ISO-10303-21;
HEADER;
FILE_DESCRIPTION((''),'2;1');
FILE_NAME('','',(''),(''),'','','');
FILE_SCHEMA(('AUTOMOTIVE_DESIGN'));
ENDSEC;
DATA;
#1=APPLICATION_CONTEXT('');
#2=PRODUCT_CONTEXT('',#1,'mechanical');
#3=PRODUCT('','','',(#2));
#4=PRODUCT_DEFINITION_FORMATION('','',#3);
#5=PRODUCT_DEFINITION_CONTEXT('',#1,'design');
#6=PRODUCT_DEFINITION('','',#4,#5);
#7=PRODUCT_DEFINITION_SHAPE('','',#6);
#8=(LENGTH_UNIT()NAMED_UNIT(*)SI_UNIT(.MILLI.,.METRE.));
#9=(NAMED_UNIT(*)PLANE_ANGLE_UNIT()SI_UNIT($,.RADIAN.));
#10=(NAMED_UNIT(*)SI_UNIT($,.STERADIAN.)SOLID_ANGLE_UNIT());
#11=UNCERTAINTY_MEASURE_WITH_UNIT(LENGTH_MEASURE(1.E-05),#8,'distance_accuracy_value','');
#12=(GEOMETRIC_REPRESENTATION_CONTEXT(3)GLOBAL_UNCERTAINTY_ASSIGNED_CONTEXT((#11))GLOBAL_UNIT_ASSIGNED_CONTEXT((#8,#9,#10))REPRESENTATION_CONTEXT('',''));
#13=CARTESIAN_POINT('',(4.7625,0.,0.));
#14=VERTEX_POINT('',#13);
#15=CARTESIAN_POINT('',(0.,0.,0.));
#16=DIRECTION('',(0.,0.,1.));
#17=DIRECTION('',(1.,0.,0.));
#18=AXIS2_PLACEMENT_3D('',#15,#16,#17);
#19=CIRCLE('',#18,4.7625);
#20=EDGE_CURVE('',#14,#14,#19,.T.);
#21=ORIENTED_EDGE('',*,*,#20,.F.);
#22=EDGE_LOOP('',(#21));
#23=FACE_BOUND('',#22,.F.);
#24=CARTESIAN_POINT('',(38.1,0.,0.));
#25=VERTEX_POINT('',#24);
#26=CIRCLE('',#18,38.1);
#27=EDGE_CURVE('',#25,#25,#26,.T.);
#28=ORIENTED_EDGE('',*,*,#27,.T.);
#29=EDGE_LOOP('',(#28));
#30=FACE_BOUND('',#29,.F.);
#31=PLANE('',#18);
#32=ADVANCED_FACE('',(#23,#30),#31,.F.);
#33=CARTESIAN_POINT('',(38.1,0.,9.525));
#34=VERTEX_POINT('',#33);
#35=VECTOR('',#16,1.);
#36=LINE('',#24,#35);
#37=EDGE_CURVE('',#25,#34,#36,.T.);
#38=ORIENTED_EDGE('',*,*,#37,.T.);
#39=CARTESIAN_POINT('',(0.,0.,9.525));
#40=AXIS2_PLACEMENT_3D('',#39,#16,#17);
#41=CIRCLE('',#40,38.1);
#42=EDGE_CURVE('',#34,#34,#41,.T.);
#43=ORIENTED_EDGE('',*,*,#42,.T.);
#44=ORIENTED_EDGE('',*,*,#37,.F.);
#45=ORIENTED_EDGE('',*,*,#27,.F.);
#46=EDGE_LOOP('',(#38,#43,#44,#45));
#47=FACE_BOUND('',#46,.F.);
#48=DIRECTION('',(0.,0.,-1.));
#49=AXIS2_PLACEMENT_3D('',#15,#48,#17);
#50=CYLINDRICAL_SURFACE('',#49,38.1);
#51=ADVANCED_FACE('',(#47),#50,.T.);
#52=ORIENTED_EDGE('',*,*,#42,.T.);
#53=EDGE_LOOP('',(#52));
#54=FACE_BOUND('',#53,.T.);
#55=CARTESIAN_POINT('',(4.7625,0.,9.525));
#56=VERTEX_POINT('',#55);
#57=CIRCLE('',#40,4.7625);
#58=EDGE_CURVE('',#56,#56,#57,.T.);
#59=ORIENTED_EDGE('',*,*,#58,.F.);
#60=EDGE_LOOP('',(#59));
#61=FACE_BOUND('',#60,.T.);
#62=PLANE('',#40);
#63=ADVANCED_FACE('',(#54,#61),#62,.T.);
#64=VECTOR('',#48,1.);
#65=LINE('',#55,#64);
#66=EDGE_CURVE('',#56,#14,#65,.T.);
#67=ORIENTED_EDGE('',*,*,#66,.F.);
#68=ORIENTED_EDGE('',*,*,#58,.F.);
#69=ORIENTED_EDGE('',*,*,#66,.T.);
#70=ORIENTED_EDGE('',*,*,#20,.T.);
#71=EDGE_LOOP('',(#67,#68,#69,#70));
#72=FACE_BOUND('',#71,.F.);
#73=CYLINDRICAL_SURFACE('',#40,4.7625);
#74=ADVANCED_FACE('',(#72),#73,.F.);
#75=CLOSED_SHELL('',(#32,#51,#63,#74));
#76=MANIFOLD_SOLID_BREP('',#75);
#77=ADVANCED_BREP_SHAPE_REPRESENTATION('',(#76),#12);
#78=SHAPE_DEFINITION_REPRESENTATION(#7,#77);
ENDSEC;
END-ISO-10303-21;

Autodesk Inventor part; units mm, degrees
ref_plane "YZ Plane" through (0, 0, 0) normal (1, 0, 0) x (0, 1, 0)
ref_plane "XZ Plane" through (0, 0, 0) normal (0, 1, 0) x (-1, 0, 0)
ref_plane "XY Plane" through (0, 0, 0) normal (0, 0, 1) x (1, 0, 0)
sketch "Sketch1" plane through (0, 0, 0) normal (0, 0, 1) x (1, 0, 0)
  circle A0 centre (0, 0) radius 38.1
  dimension "d0" = 76.2
extrude "Extrusion1" add sketch "Sketch1" along normal blind 9.525
sketch "Sketch2" plane through (0, 0, 9.525) normal (0, 0, 1) x (1, 0, 0)
  circle A0 centre (0, 0) radius 38.1 projected
  circle A1 centre (0, 0) radius 4.7625
  dimension "d3" = 9.525
extrude "Extrusion2" cut sketch "Sketch2" against normal blind 9.525 contours A1
properties part number "rachet gear analouge"
